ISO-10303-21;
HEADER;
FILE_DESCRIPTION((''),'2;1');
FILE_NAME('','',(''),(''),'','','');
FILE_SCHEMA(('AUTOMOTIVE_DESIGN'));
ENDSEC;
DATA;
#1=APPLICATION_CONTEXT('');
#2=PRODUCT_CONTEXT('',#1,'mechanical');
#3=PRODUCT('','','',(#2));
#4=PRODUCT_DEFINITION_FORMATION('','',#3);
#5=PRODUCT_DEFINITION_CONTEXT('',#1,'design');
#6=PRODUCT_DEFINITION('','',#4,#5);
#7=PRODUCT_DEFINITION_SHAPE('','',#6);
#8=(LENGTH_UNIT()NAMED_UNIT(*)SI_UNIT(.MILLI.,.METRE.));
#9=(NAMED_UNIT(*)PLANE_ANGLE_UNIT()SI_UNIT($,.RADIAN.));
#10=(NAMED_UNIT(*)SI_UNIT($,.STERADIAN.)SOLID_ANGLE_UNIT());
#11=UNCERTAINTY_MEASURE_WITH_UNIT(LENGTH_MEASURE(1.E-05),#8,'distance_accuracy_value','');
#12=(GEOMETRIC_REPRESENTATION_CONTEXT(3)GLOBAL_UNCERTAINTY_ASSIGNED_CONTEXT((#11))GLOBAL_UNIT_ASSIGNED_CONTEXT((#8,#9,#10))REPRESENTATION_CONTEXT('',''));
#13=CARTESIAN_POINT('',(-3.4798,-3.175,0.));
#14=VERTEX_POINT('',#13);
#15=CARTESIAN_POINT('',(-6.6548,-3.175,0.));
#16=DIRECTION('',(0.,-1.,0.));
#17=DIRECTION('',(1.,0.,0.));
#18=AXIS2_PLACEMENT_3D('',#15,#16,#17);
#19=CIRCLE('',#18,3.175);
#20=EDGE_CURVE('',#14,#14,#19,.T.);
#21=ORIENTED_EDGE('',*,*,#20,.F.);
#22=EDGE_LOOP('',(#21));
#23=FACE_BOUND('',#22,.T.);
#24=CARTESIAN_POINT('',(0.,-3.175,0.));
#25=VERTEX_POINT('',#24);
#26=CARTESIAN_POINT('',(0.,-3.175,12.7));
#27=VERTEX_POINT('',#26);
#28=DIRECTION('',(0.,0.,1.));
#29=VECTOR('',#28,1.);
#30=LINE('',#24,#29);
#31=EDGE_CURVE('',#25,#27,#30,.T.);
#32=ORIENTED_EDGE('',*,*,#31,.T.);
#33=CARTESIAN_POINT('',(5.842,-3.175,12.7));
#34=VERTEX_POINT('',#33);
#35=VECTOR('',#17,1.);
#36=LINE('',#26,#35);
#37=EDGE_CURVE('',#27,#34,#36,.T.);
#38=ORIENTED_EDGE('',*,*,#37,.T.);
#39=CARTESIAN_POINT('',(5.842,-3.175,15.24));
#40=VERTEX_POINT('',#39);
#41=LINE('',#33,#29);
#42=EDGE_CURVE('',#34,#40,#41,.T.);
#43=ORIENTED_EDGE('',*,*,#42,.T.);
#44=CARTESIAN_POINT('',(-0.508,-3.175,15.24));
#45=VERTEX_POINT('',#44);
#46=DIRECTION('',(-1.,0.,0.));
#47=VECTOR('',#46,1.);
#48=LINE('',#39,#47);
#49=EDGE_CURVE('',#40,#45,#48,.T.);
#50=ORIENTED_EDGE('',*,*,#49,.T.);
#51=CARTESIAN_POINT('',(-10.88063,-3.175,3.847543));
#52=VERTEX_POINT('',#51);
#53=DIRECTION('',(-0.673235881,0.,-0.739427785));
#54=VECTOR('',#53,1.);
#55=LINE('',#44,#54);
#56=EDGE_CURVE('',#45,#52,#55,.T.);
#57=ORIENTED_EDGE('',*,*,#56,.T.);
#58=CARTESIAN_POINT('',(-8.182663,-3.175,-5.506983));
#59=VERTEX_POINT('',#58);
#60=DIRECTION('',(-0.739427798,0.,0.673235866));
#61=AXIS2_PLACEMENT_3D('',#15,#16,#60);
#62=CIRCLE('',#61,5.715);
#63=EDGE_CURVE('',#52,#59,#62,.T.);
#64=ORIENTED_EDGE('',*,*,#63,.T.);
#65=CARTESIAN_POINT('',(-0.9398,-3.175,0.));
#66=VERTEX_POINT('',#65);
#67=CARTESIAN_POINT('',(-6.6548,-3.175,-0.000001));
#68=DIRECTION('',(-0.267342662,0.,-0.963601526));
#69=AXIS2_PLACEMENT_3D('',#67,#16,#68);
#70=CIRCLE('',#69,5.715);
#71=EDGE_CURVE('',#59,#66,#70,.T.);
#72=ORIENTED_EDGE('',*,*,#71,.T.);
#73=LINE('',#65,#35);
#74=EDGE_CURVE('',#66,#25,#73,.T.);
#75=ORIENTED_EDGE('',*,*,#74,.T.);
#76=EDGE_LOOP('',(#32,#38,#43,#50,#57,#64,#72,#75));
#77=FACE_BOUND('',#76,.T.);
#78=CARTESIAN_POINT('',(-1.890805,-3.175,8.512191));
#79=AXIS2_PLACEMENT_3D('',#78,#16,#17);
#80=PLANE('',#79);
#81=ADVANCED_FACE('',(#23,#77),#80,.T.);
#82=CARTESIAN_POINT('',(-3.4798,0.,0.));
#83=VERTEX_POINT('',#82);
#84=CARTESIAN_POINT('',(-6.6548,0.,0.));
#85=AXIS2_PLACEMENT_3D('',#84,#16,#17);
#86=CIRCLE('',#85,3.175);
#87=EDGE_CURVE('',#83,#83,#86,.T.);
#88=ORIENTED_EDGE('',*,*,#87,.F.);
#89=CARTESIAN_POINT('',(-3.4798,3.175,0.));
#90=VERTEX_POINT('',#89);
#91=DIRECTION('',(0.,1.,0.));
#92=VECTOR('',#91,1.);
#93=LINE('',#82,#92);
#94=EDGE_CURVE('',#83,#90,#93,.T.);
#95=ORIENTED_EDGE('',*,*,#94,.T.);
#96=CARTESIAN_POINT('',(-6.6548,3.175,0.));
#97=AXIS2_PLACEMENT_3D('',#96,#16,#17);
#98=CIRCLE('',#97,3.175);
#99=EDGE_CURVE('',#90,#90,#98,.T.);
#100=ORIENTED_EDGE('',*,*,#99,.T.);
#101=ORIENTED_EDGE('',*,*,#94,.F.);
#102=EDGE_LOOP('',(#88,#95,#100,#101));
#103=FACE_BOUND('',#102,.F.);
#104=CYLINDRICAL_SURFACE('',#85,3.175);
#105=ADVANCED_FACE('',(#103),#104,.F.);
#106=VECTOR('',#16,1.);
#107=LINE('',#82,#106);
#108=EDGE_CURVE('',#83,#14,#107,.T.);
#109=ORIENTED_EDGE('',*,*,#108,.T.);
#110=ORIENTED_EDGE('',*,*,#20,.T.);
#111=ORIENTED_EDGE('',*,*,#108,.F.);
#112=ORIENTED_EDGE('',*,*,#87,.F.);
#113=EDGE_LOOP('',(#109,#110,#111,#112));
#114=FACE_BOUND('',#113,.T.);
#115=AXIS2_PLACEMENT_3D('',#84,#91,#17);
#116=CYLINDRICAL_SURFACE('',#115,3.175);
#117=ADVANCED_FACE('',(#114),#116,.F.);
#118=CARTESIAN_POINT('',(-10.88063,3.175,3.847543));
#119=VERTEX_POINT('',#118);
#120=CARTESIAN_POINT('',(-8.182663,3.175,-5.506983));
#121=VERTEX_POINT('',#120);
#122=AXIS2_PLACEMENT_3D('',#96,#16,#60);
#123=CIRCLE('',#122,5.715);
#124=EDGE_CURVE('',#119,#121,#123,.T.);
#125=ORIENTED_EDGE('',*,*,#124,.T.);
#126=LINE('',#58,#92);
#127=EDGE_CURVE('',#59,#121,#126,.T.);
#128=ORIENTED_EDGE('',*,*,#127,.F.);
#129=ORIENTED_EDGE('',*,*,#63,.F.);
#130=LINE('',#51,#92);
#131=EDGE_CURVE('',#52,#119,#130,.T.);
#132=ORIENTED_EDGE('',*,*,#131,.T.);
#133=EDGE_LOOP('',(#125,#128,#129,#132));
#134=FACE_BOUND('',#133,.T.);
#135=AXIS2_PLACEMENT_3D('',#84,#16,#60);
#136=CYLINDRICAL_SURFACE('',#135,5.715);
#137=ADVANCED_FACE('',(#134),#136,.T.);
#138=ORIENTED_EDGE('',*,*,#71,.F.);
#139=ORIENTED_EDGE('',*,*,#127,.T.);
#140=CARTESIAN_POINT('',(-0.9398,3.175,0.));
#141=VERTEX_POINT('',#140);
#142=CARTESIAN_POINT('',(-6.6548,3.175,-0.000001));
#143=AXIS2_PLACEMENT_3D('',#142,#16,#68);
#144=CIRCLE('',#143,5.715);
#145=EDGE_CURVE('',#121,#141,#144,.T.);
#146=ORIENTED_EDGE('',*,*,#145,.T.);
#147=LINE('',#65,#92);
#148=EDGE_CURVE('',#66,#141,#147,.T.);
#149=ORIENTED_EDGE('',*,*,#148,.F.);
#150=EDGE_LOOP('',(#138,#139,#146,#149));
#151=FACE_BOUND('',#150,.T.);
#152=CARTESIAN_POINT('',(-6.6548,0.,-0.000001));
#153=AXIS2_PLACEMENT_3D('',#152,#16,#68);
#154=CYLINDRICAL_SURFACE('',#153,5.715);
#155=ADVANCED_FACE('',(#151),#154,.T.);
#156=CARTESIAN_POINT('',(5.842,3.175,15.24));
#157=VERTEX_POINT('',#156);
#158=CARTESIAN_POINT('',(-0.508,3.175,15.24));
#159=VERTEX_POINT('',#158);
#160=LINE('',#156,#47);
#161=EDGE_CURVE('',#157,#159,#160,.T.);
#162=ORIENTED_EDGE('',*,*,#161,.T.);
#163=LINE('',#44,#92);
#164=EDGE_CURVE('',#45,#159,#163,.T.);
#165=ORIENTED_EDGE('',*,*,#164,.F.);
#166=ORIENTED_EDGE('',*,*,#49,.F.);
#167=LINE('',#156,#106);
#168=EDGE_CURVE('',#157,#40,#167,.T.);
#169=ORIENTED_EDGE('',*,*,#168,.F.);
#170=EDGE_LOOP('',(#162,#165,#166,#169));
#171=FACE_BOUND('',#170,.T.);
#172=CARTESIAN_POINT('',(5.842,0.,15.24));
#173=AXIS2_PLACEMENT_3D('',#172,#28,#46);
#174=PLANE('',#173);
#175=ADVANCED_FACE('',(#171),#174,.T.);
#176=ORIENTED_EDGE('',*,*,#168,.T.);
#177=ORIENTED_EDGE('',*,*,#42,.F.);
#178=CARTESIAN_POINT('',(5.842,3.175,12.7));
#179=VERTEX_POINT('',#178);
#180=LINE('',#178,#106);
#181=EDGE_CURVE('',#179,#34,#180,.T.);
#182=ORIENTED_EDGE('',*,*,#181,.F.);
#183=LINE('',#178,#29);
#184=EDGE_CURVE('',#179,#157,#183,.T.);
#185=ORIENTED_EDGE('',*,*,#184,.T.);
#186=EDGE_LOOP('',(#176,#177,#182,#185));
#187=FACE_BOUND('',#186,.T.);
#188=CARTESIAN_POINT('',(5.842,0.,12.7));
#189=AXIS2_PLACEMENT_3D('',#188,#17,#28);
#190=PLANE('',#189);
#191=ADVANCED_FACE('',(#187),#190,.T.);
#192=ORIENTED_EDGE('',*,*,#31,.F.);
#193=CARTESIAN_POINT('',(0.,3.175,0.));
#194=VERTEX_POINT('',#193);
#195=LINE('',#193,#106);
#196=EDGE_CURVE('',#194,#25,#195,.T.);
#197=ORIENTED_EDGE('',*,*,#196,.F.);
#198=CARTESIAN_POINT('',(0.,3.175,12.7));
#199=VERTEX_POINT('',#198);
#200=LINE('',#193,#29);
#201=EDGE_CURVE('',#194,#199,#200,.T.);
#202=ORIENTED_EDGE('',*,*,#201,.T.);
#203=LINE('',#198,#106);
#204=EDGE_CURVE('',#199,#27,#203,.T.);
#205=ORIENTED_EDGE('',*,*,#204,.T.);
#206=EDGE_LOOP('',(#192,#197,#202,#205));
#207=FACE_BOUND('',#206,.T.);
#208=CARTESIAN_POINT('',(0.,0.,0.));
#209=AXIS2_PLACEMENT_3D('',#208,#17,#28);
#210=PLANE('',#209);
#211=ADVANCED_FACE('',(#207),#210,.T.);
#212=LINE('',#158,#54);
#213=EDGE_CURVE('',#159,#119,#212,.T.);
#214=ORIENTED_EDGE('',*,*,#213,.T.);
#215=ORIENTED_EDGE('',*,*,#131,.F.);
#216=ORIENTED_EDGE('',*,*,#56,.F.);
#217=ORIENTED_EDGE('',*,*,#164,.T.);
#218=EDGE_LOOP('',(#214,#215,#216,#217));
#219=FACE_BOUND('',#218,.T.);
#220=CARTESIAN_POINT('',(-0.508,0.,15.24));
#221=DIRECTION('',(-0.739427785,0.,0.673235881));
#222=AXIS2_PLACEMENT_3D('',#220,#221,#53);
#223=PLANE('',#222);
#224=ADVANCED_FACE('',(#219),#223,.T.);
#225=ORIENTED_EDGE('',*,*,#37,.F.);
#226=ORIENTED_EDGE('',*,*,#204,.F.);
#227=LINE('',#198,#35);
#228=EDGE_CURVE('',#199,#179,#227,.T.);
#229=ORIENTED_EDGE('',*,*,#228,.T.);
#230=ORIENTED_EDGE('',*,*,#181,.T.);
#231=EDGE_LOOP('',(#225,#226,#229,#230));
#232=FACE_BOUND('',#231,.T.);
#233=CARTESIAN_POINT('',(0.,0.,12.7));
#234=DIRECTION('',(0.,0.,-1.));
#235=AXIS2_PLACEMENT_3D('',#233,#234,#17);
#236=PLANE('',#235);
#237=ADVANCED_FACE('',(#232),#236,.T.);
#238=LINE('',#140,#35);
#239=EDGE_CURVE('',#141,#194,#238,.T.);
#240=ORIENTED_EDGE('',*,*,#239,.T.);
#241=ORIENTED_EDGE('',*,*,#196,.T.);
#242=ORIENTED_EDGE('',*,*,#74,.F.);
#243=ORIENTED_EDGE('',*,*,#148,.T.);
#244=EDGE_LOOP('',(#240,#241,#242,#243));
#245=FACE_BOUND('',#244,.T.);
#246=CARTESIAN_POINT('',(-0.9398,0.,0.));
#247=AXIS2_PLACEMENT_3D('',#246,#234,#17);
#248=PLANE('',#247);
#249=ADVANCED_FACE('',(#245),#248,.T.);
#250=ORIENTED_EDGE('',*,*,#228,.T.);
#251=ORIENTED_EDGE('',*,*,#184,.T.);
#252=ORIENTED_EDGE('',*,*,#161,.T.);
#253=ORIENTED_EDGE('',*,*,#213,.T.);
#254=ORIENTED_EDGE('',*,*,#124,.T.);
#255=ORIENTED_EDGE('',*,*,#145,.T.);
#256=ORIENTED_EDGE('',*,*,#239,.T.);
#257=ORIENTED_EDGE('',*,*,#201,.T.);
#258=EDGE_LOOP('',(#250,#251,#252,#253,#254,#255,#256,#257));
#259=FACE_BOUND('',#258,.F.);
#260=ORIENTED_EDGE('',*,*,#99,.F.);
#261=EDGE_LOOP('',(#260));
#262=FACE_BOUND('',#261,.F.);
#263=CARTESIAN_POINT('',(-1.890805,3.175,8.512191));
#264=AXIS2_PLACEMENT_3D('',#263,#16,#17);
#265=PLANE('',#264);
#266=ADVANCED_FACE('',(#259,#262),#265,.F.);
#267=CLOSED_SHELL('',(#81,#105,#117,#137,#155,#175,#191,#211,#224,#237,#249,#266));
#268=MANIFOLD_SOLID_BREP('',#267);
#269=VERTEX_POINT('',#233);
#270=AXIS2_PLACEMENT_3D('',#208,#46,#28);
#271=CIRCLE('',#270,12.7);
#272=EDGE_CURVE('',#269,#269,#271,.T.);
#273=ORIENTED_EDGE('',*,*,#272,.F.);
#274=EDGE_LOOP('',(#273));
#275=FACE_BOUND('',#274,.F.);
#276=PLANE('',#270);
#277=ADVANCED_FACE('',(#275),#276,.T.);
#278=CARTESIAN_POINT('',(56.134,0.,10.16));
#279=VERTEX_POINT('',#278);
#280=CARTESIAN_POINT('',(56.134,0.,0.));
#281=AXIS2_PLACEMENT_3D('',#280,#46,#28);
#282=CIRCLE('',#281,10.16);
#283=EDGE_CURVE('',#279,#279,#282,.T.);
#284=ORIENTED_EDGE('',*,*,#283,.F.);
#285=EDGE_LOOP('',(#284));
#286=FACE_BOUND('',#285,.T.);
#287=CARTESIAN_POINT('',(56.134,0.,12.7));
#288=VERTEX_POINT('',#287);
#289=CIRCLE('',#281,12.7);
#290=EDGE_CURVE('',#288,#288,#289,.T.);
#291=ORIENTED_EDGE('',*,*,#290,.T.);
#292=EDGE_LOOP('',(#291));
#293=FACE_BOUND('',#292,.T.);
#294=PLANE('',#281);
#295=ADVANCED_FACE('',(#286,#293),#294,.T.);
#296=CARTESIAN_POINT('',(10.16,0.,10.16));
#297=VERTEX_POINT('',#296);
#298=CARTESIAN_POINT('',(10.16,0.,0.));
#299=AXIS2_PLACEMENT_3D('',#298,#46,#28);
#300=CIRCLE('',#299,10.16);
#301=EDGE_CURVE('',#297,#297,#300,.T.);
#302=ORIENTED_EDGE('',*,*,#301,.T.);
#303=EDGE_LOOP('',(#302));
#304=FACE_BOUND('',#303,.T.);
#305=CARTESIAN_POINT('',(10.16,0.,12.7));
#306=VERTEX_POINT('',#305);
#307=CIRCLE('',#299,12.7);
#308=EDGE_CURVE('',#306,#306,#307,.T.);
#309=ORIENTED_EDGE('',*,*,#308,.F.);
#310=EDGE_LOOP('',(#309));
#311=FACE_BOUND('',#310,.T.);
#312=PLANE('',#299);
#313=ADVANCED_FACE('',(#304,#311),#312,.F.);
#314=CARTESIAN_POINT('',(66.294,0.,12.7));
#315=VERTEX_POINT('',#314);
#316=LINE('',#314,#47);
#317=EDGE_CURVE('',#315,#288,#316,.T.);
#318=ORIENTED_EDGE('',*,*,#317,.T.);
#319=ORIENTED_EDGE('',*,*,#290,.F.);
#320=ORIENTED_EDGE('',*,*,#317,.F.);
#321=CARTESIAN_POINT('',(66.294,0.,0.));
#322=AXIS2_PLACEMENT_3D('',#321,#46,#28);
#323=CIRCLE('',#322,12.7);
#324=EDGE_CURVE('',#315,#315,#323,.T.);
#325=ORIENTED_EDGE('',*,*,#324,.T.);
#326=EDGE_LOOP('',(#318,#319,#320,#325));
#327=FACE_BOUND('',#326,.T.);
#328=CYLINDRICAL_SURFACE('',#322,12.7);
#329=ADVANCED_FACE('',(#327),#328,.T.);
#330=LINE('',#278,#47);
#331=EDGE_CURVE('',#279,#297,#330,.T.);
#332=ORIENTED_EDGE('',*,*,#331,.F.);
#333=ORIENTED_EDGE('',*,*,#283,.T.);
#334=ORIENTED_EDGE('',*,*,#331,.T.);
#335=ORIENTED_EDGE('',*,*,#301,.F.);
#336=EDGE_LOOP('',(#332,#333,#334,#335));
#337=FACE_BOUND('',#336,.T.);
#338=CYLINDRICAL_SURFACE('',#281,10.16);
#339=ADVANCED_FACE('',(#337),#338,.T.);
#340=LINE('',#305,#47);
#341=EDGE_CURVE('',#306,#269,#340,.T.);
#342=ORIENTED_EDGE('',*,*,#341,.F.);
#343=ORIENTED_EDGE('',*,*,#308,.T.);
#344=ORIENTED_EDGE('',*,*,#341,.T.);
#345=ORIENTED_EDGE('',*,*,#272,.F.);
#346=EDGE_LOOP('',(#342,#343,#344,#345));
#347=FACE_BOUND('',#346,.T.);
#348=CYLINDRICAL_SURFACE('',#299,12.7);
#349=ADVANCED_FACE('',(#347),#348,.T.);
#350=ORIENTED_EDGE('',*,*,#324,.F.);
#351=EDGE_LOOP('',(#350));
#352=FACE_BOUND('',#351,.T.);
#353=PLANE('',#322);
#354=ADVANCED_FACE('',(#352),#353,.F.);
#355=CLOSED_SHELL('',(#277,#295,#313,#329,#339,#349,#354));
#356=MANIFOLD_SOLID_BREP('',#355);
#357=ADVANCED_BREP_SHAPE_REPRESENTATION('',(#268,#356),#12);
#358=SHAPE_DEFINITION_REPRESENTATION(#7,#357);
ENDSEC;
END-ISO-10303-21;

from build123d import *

# Parameters (mm, degrees)
F0_W          = 5.842
F0_H          = 12.7
F0_R          = 3.175
F2_DEPTH      = 3.175
F2_DEPTH_BACK = 3.175


with BuildPart() as f1:
    # F0 (on Front) → F1 (revolve)
    with BuildSketch(Plane.XZ):
        Polygon((5.842, 12.7), (5.842, 0), (66.294, 0), (66.294, 12.7), (56.134, 12.7), (56.134, 10.16), (10.16, 10.16), (10.16, 12.7), align=None)
        with Locations((2.921, 6.35)):
            Rectangle(F0_W, F0_H)
    revolve(axis=Axis((33.147, 0, 0), (-1, 0, 0)))


with BuildPart() as f2:
    # F0 (on Front) → F2 (new body, two sides)
    with BuildSketch(Plane.XZ) as f2_sk:
        with BuildLine():
            Line((-0.9398, 0), (0, 0))
            Line((0, 0), (0, 12.7))
            Line((0, 12.7), (5.842, 12.7))
            Line((5.842, 12.7), (5.842, 15.24))
            Line((5.842, 15.24), (-0.508, 15.24))
            Line((-0.508, 15.24), (-10.88063, 3.847543))
            ThreePointArc((-10.88063, 3.847543), (-4.591961, 5.329721), (-0.9398, 0))
        make_face()
        with BuildLine():
            ThreePointArc((-8.182663, -5.506983), (-3.195791, -4.549339), (-0.9398, 0))
            ThreePointArc((-0.9398, 0), (-4.591961, 5.329721), (-10.88063, 3.847543))
            ThreePointArc((-10.88063, 3.847543), (-12.145978, -1.583727), (-8.182663, -5.506983))
        make_face()
        with Locations((-6.6548, 0)):
            Circle(F0_R, mode=Mode.SUBTRACT)
    extrude(amount=F2_DEPTH)
    extrude(f2_sk.sketch, amount=-F2_DEPTH_BACK)


solid = Compound([f1.part, f2.part])
